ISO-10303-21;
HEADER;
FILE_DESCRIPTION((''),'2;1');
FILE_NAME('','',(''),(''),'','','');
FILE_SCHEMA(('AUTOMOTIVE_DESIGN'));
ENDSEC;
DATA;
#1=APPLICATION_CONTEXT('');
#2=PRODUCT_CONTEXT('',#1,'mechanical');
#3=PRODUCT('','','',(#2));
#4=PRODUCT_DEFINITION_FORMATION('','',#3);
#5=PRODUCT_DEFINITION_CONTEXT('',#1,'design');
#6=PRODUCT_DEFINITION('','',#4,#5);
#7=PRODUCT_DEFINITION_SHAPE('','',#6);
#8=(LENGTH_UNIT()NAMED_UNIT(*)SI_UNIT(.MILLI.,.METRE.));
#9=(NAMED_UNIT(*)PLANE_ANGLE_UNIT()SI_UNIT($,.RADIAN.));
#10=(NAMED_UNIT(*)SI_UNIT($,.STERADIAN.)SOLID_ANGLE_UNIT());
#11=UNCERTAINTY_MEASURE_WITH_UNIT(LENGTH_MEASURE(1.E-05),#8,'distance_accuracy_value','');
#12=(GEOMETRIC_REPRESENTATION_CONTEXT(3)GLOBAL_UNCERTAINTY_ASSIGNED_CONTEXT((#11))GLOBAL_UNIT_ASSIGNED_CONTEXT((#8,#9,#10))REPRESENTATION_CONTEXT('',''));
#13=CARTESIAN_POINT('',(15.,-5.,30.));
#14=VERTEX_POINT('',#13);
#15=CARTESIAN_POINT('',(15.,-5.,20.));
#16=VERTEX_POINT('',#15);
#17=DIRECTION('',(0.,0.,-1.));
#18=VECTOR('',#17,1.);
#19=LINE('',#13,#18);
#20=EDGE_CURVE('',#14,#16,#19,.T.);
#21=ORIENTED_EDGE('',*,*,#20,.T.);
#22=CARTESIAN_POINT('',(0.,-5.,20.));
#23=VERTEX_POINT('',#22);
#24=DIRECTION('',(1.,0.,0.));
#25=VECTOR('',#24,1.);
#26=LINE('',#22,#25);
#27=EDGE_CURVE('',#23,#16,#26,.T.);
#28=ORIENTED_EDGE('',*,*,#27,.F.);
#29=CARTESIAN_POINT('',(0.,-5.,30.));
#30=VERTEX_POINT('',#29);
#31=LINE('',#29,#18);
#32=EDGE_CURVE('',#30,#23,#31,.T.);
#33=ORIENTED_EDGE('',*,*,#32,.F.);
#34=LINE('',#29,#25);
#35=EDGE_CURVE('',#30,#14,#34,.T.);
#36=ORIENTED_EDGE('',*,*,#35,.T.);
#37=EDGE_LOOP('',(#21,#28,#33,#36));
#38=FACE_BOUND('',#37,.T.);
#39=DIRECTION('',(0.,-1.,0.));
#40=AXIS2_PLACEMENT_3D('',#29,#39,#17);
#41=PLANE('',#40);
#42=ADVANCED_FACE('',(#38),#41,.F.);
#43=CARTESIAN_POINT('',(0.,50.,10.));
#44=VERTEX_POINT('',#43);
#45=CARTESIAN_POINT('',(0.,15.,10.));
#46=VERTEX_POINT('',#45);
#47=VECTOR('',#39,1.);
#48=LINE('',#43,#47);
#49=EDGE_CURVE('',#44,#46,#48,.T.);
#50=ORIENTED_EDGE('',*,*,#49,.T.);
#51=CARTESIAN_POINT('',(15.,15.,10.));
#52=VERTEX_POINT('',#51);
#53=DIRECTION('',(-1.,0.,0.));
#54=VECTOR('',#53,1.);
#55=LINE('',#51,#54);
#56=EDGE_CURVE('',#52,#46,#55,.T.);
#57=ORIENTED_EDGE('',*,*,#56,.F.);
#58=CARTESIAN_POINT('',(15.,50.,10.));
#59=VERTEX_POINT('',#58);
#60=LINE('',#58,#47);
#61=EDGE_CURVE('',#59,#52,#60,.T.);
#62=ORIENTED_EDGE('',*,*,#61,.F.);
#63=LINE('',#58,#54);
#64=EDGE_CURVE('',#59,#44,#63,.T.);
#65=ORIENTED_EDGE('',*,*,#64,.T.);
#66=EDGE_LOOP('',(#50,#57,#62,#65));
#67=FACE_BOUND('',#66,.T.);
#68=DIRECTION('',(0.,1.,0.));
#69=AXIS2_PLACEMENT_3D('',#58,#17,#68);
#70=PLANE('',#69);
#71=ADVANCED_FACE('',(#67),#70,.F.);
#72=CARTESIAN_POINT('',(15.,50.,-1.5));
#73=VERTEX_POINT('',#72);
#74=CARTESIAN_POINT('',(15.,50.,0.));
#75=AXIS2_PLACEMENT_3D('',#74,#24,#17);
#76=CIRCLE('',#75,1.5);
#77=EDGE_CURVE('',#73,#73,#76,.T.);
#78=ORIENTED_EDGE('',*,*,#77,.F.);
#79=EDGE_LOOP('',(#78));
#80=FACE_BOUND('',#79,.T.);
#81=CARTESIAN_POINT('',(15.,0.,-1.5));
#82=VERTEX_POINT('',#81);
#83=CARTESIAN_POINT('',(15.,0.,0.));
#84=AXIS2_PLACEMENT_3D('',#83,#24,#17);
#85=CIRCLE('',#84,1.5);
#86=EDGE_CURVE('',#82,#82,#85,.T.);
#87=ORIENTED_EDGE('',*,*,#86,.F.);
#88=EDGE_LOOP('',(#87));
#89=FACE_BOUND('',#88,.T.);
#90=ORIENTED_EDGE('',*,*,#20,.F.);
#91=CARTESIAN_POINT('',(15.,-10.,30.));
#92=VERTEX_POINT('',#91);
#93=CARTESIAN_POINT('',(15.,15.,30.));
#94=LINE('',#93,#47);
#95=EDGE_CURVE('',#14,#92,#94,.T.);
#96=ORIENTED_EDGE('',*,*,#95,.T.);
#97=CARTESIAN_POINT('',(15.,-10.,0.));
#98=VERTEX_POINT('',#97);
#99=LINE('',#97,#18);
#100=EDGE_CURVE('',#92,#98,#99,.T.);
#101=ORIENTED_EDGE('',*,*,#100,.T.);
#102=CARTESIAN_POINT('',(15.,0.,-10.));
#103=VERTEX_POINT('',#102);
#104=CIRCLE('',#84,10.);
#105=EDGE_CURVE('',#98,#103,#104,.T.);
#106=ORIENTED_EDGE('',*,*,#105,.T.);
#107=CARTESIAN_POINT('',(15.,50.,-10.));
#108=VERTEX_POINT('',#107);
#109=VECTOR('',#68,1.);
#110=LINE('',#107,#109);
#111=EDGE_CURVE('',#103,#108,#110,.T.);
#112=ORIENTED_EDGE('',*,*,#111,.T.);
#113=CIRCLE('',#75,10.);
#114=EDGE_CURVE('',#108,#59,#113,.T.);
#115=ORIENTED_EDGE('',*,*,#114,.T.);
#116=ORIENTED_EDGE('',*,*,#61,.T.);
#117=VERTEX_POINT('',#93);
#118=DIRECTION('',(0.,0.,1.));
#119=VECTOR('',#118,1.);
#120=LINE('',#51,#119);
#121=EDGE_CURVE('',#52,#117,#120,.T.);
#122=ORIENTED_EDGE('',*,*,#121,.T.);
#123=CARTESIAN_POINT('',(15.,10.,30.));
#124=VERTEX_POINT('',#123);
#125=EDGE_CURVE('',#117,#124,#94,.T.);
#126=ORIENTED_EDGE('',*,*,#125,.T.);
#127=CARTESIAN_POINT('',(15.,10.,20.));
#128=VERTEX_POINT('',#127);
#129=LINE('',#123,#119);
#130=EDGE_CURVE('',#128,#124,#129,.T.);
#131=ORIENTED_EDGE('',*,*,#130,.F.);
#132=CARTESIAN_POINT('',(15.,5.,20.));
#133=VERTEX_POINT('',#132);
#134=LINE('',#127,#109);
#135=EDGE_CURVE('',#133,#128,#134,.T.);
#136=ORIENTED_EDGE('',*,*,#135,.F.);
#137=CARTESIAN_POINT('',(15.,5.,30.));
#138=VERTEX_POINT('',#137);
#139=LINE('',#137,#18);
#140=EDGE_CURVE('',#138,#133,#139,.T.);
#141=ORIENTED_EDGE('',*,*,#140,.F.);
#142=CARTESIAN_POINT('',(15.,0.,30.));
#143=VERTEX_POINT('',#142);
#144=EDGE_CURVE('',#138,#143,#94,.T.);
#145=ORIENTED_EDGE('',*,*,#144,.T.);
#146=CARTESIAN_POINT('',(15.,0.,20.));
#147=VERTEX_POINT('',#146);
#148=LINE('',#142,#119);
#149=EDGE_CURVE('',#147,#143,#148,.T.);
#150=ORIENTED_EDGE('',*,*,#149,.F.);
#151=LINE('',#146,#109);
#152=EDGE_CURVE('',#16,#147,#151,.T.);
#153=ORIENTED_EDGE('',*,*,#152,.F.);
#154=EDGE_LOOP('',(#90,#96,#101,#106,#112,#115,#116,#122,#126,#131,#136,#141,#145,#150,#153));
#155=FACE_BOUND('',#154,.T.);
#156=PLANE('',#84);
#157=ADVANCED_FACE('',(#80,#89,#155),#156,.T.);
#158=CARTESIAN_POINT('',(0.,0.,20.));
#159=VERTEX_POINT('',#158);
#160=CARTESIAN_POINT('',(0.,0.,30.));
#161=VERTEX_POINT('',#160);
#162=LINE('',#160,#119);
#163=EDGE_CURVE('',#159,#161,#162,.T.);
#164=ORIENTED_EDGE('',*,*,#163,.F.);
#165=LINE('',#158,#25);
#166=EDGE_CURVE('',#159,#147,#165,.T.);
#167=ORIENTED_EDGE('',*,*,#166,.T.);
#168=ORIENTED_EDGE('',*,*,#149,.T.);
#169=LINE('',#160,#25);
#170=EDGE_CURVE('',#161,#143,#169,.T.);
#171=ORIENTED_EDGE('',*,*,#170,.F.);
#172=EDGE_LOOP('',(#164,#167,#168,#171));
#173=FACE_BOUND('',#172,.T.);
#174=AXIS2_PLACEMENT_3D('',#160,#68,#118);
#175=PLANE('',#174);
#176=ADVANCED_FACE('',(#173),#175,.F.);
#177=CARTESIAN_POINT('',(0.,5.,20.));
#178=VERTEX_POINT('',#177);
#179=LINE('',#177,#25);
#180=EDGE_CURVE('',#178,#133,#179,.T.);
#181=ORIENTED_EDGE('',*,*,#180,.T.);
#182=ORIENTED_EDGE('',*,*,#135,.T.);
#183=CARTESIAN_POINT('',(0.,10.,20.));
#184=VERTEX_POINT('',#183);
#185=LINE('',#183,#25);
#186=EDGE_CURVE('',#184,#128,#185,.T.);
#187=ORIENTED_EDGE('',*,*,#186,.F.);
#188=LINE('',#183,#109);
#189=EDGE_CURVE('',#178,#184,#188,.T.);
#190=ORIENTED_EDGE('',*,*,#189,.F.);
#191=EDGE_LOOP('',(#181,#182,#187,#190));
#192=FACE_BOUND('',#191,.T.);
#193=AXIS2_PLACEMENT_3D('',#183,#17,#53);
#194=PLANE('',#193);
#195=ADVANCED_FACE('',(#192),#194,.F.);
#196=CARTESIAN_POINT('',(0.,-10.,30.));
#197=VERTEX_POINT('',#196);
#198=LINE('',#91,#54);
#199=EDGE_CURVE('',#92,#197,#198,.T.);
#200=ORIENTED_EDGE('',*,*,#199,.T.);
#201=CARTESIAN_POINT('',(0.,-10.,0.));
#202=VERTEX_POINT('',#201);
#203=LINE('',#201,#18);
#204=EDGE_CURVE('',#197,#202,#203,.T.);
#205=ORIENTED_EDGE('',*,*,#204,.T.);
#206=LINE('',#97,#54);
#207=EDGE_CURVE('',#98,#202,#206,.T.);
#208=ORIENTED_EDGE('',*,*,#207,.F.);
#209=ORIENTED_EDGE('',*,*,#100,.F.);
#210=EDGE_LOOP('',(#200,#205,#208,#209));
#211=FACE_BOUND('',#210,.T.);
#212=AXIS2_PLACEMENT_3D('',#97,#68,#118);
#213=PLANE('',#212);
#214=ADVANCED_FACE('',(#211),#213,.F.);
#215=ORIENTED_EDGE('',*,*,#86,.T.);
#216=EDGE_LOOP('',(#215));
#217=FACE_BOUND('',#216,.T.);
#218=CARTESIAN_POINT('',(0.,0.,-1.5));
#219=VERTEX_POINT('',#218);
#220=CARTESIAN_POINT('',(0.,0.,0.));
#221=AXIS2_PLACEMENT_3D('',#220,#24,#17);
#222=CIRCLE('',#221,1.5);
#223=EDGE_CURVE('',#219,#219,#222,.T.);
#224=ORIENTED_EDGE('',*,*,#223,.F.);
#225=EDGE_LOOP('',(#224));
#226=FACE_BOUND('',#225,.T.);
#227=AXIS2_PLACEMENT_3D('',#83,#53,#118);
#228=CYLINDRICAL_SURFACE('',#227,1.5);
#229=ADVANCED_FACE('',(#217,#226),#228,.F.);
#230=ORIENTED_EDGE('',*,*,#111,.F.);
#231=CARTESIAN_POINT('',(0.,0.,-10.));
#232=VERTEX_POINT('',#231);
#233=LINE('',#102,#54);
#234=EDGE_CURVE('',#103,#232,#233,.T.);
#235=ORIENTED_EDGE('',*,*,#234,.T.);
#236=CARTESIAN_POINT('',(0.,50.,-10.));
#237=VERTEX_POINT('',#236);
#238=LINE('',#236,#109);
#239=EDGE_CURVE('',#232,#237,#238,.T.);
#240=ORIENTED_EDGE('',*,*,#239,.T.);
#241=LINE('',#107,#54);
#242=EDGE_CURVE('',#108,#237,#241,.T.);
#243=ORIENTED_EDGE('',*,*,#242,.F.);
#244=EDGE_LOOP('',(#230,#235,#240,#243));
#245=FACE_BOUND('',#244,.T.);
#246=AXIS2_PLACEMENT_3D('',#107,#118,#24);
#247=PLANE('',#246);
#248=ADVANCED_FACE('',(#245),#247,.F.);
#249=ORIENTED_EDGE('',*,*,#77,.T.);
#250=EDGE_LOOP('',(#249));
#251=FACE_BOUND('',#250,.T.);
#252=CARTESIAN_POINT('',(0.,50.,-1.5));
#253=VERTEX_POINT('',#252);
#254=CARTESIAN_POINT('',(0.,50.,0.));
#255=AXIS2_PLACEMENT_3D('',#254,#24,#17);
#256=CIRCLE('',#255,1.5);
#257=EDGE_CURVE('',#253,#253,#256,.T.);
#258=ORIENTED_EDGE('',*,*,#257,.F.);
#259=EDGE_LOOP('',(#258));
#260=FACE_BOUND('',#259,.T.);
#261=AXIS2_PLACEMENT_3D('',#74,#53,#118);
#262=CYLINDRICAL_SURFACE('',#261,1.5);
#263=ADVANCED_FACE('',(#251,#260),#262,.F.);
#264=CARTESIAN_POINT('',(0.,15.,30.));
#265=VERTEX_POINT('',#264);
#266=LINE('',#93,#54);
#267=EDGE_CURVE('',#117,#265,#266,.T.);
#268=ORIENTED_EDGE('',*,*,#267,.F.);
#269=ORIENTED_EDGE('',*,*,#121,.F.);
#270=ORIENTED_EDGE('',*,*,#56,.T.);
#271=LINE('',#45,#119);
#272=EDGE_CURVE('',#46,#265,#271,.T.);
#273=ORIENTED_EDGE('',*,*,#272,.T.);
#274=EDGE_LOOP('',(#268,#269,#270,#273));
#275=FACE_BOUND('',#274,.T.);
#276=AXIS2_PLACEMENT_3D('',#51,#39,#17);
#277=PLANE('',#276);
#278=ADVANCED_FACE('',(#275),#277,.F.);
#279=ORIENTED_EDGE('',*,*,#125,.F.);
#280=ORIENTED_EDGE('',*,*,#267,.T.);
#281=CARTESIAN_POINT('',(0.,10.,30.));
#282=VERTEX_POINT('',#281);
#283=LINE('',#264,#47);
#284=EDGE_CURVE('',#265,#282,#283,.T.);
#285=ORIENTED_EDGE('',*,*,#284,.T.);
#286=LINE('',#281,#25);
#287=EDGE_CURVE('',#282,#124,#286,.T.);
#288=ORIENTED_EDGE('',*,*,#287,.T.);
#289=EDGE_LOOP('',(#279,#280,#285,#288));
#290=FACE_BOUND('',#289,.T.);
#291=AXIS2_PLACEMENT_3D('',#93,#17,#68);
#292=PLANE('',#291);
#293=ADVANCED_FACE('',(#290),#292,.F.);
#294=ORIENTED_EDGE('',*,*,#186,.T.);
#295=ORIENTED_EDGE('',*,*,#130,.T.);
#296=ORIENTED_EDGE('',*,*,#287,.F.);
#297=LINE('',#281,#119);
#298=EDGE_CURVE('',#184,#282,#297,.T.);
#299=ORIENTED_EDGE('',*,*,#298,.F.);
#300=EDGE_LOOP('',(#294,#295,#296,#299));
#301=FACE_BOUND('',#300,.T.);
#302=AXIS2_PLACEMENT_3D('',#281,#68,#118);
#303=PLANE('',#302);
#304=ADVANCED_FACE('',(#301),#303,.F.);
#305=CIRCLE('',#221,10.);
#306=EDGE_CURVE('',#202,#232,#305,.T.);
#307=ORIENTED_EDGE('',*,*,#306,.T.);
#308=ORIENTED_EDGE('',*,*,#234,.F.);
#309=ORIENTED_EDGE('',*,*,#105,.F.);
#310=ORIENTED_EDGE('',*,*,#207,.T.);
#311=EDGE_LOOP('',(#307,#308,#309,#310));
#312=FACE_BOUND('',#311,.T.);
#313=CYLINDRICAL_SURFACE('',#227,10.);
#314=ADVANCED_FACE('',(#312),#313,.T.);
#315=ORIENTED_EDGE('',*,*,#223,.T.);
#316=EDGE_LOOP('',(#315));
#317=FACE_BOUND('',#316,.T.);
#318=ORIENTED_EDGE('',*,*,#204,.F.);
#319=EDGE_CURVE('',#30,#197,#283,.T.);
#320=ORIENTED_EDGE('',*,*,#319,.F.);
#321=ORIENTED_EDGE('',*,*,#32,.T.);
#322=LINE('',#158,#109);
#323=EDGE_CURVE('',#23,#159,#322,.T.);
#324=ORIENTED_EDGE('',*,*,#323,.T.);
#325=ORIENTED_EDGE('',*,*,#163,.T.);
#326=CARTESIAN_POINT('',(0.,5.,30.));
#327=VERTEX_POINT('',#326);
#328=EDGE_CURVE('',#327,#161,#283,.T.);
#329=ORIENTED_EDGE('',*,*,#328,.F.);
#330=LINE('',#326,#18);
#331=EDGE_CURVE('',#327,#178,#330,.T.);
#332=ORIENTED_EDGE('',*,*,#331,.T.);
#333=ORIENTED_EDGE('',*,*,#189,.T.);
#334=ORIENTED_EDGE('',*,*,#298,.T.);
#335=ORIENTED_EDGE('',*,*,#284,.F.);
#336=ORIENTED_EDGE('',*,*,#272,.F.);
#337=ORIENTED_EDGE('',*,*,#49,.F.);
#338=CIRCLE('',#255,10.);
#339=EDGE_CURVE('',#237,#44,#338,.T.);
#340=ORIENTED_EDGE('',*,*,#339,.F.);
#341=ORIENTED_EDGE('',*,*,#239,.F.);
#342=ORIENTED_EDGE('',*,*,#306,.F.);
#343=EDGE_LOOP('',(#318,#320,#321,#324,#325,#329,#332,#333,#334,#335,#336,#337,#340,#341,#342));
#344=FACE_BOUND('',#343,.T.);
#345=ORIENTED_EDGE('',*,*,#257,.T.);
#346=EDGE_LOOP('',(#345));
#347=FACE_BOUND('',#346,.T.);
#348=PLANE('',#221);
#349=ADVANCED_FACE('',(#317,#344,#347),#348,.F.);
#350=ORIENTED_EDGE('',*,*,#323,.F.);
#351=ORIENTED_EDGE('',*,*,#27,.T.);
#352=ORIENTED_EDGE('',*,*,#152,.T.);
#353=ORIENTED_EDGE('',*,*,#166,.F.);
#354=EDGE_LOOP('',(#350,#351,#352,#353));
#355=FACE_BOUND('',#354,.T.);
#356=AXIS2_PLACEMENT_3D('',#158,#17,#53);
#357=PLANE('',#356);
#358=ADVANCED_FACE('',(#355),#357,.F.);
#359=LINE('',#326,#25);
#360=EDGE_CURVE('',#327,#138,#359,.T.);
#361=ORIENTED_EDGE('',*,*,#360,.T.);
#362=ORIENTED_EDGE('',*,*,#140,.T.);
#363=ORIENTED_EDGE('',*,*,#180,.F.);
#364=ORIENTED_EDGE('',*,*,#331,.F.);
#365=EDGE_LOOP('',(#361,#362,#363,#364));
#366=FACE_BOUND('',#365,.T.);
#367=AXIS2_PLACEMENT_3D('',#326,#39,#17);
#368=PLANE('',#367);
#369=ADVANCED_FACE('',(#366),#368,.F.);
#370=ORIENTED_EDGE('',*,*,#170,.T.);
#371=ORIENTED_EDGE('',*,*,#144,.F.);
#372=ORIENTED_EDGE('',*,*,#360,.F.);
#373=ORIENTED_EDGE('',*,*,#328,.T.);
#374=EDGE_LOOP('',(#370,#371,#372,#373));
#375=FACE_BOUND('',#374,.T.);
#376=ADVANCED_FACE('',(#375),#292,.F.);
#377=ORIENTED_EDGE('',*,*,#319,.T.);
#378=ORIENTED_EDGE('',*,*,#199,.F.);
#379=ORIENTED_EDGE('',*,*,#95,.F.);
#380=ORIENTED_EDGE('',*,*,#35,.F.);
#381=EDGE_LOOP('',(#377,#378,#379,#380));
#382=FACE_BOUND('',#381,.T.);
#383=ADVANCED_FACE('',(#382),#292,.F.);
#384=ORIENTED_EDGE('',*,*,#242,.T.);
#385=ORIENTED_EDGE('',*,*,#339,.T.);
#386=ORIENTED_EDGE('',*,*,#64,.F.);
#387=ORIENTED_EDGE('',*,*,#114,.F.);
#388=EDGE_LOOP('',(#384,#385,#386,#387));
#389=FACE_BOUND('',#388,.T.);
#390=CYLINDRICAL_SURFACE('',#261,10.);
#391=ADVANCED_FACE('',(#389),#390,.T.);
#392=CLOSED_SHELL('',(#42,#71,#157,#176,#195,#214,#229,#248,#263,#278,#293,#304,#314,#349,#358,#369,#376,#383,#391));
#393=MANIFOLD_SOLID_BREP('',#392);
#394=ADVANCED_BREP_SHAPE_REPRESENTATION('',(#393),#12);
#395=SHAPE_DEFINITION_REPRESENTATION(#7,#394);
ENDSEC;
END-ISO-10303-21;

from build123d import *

# Parameters (mm, degrees)
SKETCH1_R           = 1.5
BOSS_EXTRUDE1_DEPTH = 15
SKETCH2_W           = 10
SKETCH2_H           = 5
CUT_EXTRUDE1_DEPTH  = 15


with BuildPart() as part:
    # Sketch1 → Boss-Extrude1 (new body)
    with BuildSketch(Plane(origin=(0, 0, 0), x_dir=(0, 0, -1), z_dir=(1, 0, 0))):
        with BuildLine():
            Line((-10, 15), (-30, 15))
            Line((-30, 15), (-30, -10))
            Line((-30, -10), (0, -10))
            ThreePointArc((0, -10), (7.071067812, -7.071067812), (10, 0))
            Line((10, 0), (10, 50))
            ThreePointArc((10, 50), (0, 60), (-10, 50))
            Line((-10, 50), (-10, 15))
        make_face()
        with Locations((0, 50)):
            Circle(SKETCH1_R, mode=Mode.SUBTRACT)
        Circle(SKETCH1_R, mode=Mode.SUBTRACT)
    extrude(amount=BOSS_EXTRUDE1_DEPTH)

    # Sketch2 → Cut-Extrude1 (cut)
    with BuildSketch(Plane(origin=(15, 0, 0), x_dir=(0, 0, -1), z_dir=(1, 0, 0))):
        with Locations((-25, 7.5)):
            Rectangle(SKETCH2_W, SKETCH2_H)
        with Locations((-25, -2.5)):
            Rectangle(SKETCH2_W, SKETCH2_H)
    extrude(amount=-CUT_EXTRUDE1_DEPTH, mode=Mode.SUBTRACT)


solid = part.part
